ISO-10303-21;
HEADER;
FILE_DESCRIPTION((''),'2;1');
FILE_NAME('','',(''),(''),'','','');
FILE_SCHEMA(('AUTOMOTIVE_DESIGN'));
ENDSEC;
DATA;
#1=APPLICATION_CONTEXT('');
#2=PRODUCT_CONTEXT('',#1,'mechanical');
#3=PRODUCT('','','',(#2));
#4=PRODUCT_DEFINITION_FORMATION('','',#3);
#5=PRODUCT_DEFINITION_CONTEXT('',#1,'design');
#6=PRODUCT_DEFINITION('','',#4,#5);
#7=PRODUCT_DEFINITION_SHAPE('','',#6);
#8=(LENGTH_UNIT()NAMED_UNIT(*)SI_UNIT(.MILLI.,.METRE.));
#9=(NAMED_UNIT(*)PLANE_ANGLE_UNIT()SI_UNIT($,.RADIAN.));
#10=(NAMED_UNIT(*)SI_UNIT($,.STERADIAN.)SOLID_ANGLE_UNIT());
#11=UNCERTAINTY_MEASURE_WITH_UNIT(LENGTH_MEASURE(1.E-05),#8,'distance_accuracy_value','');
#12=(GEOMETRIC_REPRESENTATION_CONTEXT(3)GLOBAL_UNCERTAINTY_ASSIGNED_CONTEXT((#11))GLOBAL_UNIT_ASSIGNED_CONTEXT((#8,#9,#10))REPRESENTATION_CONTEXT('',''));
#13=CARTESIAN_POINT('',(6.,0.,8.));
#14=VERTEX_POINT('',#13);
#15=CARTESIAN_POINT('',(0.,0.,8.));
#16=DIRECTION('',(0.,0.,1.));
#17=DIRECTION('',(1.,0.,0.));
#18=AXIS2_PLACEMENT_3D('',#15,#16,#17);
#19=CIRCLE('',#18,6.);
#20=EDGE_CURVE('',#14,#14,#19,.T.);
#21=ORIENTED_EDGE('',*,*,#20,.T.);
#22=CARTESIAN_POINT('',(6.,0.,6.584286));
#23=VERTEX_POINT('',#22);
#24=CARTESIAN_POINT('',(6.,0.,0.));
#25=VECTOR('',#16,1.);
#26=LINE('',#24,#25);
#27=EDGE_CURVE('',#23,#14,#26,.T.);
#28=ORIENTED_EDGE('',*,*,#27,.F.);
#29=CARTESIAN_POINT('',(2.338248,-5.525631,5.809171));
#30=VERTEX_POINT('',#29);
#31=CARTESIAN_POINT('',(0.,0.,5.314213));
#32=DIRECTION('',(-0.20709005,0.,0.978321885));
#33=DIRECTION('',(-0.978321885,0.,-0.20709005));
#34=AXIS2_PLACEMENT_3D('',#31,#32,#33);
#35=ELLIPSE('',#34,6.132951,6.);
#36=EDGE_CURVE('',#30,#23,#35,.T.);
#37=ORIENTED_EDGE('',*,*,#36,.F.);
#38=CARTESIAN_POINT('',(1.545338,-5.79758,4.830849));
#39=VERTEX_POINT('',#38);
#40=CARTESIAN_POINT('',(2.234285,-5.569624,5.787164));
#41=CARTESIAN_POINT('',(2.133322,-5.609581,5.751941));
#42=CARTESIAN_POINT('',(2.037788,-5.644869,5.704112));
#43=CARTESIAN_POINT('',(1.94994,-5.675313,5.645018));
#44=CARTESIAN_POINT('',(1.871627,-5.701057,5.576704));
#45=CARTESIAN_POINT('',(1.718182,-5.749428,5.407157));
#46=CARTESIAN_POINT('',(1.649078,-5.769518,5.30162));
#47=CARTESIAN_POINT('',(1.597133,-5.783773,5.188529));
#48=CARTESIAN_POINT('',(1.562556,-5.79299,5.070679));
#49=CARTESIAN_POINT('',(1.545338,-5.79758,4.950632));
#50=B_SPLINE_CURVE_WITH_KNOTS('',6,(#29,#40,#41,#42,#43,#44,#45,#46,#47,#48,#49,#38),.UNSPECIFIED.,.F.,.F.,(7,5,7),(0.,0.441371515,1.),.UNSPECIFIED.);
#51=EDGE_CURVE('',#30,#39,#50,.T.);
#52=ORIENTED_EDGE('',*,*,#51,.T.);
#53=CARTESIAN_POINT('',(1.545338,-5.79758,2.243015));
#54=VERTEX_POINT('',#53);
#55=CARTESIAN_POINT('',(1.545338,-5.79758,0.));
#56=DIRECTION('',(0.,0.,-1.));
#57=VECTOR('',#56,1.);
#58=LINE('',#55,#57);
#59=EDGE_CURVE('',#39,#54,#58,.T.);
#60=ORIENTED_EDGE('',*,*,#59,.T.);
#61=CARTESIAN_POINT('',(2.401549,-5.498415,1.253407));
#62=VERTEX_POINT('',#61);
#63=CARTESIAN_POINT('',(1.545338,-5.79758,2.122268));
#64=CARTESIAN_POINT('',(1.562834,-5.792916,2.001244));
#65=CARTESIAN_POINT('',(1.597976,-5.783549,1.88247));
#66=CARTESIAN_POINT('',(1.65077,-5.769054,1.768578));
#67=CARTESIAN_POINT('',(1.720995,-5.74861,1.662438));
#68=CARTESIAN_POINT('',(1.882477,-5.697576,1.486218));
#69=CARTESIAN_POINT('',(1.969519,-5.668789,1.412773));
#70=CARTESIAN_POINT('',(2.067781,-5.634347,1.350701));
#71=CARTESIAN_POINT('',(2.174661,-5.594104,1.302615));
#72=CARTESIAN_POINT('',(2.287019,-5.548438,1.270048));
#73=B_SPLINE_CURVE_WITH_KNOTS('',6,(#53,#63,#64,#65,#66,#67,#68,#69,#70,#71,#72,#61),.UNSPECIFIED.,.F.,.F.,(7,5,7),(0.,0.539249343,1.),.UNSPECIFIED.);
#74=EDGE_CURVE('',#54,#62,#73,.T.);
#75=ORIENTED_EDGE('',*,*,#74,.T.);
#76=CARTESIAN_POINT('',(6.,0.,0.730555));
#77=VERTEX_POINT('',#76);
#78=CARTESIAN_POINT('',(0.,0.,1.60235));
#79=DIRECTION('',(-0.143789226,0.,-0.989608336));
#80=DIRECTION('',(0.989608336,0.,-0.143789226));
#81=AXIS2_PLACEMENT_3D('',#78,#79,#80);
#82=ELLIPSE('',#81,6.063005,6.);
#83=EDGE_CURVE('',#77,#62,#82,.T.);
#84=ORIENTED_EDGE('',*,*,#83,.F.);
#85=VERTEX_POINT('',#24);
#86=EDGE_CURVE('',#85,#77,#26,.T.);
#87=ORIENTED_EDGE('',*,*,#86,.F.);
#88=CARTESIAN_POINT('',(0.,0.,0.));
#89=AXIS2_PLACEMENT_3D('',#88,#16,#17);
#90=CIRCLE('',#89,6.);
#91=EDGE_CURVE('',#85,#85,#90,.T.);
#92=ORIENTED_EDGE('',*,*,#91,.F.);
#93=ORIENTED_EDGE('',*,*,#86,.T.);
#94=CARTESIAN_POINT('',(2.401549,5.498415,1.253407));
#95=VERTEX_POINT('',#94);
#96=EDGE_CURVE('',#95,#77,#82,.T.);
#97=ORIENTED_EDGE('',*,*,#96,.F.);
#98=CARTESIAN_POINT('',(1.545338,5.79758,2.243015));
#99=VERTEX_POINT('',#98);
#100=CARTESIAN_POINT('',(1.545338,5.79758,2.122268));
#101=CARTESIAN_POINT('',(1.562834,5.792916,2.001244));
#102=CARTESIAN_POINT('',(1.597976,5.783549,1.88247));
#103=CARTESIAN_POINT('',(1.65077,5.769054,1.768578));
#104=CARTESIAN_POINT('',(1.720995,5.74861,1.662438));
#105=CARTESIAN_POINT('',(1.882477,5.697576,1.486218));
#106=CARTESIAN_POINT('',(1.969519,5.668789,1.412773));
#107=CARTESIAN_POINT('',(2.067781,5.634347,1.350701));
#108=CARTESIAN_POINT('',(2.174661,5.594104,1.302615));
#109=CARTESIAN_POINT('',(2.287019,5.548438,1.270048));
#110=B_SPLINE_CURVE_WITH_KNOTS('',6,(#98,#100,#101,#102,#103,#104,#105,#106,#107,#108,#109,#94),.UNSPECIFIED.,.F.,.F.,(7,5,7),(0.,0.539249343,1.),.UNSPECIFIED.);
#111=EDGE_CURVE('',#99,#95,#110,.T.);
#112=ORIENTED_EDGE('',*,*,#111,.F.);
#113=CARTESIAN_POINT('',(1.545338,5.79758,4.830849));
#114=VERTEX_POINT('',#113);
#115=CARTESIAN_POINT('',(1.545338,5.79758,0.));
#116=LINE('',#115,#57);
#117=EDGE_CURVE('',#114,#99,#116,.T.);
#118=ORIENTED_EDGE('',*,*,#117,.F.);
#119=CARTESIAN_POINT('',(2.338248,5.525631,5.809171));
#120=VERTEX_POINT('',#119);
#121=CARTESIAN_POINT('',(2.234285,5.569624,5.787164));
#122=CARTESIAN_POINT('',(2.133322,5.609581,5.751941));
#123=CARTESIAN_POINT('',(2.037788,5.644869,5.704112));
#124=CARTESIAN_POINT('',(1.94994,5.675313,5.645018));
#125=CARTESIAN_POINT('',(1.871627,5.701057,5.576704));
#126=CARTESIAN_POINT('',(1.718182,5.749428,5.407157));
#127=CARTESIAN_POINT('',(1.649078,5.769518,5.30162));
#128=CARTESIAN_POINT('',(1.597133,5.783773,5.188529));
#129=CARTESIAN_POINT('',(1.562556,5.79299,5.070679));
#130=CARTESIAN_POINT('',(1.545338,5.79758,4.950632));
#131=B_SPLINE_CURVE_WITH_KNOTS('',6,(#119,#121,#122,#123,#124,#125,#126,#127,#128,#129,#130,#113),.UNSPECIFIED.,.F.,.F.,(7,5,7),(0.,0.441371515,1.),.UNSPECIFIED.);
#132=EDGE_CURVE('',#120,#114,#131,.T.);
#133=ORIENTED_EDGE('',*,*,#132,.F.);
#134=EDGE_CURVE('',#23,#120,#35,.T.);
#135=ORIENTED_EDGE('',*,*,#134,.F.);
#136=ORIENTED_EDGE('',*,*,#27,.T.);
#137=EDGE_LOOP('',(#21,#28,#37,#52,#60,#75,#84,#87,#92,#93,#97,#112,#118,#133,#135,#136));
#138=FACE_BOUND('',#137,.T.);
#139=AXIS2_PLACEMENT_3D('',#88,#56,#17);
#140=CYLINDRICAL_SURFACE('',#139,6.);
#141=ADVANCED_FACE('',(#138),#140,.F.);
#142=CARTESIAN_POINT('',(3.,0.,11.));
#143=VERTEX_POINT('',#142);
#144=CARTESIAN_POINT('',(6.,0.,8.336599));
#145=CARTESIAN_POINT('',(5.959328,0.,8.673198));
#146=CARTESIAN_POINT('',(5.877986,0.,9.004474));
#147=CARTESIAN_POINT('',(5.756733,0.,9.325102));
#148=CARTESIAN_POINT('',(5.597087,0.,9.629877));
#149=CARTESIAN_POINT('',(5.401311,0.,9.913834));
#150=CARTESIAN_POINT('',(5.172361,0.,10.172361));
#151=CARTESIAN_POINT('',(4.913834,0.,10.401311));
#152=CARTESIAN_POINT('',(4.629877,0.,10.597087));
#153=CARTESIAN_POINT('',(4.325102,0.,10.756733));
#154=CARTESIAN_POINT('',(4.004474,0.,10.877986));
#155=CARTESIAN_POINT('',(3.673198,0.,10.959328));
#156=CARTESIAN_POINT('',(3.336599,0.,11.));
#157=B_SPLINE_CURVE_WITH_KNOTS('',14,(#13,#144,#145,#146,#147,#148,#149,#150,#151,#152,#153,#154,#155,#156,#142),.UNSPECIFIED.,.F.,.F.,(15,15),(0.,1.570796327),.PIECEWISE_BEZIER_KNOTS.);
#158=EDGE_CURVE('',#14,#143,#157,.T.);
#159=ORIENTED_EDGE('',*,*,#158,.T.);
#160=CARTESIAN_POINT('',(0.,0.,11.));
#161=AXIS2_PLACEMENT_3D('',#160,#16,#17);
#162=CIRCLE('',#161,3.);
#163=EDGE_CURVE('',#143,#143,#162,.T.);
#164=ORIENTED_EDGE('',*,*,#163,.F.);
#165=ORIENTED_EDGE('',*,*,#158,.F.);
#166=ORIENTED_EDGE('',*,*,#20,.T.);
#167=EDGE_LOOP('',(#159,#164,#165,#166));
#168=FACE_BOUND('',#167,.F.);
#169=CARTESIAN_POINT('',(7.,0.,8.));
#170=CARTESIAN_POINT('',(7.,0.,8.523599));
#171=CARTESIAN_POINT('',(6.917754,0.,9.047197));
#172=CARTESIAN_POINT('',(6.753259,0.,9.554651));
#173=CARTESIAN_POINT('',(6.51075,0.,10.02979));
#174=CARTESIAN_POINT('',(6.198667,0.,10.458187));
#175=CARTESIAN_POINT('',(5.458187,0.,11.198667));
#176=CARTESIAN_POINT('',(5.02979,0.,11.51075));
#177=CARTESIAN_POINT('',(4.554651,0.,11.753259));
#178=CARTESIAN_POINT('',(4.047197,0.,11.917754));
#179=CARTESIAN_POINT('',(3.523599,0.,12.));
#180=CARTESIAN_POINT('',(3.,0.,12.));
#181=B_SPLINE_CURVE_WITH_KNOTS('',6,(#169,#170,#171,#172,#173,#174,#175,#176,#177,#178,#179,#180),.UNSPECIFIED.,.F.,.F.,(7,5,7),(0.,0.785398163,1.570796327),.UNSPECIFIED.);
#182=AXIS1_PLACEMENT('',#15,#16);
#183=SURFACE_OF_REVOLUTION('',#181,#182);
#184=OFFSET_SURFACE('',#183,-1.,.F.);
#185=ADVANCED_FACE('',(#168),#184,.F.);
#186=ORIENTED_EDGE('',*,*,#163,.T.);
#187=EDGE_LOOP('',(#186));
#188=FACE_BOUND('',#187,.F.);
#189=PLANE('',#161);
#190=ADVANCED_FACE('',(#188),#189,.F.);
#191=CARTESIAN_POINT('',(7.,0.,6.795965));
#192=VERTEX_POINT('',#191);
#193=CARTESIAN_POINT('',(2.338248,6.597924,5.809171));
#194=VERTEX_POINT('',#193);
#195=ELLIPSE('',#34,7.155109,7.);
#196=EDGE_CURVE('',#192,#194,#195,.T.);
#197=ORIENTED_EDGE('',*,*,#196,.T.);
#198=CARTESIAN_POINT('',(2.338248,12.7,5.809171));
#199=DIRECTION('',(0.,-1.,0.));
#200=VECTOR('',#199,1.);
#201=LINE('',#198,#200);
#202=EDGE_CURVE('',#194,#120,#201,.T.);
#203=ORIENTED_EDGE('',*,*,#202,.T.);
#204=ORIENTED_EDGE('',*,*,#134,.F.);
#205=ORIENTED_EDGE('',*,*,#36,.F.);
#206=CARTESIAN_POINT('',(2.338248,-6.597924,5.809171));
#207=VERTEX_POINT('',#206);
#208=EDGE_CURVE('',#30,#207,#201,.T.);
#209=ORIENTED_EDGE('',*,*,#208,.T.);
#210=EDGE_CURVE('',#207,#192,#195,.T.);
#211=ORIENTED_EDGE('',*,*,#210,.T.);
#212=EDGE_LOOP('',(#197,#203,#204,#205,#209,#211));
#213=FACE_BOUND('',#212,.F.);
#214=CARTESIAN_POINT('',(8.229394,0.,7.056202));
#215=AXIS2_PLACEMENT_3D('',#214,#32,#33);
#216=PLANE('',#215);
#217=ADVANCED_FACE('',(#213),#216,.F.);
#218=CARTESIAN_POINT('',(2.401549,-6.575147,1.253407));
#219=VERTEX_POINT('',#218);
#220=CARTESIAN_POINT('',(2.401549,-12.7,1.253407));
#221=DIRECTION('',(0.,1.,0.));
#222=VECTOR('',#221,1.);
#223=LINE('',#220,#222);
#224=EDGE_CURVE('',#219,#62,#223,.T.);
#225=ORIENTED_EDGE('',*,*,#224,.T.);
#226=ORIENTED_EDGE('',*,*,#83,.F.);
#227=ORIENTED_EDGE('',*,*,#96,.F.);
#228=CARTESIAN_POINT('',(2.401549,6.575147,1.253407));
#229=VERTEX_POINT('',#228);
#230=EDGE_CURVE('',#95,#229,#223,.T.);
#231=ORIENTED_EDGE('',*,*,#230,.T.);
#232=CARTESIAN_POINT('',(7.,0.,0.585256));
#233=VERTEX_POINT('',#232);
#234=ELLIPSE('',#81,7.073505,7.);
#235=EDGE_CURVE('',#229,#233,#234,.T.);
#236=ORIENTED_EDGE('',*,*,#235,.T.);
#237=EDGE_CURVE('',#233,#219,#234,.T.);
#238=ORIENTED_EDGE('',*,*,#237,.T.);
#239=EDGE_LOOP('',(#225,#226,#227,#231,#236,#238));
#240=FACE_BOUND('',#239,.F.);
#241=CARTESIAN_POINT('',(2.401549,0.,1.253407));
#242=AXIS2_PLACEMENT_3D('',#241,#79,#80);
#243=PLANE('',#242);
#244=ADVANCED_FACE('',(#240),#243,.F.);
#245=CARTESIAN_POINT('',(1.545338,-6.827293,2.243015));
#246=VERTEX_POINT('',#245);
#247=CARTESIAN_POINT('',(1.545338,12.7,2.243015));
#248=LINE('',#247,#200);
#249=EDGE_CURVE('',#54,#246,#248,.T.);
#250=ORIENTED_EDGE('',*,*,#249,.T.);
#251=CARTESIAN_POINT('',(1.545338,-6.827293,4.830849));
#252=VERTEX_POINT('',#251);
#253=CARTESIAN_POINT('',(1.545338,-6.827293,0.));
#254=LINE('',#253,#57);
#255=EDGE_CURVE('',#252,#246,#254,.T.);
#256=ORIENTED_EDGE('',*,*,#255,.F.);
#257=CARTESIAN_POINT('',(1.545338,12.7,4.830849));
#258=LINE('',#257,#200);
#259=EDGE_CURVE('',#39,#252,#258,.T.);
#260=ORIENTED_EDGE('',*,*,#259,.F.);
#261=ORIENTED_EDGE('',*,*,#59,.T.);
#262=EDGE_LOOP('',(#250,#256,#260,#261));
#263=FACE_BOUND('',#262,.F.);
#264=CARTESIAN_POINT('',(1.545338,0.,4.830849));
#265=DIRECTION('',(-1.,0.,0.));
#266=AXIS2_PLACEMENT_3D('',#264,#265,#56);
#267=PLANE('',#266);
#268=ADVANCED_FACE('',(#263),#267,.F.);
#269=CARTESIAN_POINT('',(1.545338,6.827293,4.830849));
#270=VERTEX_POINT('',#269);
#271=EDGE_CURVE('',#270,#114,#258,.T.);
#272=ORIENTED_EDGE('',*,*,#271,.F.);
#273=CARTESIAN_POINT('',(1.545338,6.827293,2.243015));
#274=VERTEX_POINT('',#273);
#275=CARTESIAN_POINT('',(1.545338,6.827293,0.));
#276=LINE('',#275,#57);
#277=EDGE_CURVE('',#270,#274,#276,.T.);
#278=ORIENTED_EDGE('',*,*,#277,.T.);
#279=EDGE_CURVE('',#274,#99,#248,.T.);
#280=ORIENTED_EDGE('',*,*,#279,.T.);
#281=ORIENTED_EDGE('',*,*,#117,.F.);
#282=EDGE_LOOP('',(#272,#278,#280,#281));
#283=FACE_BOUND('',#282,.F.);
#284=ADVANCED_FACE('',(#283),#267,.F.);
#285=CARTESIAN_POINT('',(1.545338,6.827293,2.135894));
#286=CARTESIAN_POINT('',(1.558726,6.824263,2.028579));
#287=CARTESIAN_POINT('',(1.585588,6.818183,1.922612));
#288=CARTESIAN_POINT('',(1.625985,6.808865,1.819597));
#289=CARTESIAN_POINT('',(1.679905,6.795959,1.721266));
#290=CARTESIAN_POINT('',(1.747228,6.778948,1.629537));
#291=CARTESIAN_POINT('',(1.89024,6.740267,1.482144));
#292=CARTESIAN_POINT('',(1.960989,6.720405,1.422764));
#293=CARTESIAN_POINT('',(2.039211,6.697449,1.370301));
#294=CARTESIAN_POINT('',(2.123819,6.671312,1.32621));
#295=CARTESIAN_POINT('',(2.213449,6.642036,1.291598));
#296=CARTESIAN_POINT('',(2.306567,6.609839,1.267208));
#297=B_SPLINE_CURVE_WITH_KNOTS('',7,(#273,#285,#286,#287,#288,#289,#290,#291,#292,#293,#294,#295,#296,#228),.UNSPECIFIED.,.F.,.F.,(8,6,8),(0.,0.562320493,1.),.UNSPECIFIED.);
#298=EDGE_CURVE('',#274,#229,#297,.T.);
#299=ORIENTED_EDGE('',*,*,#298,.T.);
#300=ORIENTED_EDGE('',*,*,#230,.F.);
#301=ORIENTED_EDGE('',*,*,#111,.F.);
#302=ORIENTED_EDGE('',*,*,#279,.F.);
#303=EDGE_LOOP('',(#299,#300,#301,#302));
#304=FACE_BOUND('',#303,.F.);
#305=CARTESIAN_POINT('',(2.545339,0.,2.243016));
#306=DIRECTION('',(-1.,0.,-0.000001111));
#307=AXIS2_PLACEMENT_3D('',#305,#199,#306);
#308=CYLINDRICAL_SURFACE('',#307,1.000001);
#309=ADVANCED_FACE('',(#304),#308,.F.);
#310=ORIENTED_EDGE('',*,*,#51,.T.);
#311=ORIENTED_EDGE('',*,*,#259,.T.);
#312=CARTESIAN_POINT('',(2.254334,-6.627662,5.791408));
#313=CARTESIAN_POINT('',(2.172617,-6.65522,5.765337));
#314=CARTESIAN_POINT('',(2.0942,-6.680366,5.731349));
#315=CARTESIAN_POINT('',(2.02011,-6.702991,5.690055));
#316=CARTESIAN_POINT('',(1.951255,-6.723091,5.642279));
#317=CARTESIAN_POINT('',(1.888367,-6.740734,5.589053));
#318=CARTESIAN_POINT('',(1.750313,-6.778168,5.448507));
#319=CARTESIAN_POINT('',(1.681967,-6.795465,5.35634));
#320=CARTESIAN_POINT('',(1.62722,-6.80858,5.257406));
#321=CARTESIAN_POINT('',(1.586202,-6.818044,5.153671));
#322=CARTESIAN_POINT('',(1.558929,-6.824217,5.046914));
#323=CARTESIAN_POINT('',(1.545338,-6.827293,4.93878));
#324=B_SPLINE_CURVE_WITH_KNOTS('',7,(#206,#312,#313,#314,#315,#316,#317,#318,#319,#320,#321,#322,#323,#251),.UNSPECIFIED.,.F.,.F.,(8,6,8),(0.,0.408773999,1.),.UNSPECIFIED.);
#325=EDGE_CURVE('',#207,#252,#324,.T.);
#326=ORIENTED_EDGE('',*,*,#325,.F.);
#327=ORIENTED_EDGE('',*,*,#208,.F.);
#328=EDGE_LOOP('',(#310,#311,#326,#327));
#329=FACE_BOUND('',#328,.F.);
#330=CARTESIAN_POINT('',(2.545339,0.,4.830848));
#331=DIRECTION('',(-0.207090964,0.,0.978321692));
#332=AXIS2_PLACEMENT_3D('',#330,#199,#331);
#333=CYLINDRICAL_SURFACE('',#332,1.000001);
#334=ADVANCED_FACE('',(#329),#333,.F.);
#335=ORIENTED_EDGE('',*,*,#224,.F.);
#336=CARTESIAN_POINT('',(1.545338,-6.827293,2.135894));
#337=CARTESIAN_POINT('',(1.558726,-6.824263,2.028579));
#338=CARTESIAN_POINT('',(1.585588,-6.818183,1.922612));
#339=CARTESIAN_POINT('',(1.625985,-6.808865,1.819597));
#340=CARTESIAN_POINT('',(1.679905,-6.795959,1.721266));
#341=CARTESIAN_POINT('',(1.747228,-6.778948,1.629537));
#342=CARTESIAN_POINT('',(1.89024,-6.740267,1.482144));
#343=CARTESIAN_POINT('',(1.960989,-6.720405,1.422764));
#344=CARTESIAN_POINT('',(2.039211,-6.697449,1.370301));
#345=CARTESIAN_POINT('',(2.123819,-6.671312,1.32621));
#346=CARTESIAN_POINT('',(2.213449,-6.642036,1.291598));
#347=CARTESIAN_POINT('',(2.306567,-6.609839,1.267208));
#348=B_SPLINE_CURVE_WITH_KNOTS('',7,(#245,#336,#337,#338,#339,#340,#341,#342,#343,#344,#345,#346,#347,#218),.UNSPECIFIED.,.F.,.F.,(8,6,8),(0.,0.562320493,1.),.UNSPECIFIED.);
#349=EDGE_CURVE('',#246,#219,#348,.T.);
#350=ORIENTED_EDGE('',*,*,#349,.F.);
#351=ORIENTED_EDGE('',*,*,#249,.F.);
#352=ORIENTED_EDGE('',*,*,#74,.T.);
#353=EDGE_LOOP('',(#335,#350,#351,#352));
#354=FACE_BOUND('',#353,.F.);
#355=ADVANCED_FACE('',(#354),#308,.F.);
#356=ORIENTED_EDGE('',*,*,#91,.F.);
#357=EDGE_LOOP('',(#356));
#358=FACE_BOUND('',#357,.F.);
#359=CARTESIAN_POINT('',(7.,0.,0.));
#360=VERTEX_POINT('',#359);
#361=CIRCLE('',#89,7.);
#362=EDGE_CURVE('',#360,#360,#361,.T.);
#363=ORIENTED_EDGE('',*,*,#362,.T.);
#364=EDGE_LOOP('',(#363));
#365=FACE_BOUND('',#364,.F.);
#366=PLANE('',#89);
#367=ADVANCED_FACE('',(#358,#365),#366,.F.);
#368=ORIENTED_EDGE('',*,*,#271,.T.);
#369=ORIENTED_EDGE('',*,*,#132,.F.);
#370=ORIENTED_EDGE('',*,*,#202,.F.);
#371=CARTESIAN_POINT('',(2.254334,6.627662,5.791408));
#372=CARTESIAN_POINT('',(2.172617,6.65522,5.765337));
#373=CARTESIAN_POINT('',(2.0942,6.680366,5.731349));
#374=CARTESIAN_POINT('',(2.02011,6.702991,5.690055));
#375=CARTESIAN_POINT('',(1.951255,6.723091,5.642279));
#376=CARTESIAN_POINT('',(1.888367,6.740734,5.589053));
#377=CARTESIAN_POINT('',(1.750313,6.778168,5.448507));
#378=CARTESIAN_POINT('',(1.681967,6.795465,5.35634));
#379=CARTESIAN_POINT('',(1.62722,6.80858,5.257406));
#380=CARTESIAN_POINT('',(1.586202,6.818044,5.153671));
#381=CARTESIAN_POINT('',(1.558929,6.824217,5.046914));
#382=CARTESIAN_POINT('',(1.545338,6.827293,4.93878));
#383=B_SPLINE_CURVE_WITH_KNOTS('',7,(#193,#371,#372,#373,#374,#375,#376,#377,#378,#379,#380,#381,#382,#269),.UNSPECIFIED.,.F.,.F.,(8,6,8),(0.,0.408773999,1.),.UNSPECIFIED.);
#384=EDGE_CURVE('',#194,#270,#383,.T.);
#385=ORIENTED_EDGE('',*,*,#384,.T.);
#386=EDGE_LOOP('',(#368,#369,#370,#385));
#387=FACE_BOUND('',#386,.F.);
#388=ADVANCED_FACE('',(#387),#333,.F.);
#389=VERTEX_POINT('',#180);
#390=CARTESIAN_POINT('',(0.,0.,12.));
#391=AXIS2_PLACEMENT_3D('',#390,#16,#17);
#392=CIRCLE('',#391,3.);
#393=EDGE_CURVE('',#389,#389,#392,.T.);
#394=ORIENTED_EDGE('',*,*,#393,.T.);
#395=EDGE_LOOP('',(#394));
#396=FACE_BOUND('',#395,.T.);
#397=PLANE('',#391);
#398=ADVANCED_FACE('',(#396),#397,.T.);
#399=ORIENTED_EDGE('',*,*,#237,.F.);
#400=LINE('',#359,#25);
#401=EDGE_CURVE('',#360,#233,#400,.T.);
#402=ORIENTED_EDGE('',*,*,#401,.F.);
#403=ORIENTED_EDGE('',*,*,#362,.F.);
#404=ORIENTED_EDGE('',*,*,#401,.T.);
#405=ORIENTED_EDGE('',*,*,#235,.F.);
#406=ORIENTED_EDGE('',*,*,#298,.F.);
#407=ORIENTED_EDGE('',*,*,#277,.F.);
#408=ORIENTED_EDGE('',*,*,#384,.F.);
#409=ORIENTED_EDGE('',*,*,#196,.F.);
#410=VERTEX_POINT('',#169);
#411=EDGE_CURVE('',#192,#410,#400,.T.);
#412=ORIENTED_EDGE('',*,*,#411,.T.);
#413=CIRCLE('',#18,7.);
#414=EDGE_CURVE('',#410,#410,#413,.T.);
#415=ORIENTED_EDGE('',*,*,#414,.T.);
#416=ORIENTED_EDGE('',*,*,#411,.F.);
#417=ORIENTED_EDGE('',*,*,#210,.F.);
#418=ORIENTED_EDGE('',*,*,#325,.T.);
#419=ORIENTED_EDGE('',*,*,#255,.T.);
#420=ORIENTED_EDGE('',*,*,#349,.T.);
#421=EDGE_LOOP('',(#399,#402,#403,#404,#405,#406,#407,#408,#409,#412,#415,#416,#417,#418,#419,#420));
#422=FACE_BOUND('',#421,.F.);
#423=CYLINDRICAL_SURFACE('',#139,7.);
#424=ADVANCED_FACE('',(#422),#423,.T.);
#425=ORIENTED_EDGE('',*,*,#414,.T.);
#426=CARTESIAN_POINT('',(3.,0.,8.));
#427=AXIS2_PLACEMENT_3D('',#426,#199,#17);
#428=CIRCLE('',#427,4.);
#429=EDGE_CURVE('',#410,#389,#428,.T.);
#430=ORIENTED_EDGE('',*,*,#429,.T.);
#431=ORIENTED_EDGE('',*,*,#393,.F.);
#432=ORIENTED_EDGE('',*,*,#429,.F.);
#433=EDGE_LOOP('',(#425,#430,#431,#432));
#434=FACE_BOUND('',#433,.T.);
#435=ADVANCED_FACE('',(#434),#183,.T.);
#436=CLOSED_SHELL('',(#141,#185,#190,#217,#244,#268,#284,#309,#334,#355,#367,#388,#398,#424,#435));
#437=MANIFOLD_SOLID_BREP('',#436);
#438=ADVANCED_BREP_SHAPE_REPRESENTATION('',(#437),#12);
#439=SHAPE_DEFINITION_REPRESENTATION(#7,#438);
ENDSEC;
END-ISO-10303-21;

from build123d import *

# Parameters (mm, degrees)
F0_R     = 7
F1_DEPTH = 12
F2_R     = 4
F3_T     = -1
F5_DEPTH = 12.7


with BuildPart() as f1:
    # F0 (on Top) → F1 (new body)
    with BuildSketch(Plane.XY):
        Circle(F0_R)
    extrude(amount=F1_DEPTH)

    # F2
    f2_edges = [f1.edges().sort_by_distance(p)[0] for p in [
        (-7, 0, 12),
    ]]
    fillet(f2_edges, radius=F2_R)

    # F3
    f3_openings = [f1.faces().sort_by_distance(p)[0] for p in [
        (0, 0, 0),
    ]]
    offset(amount=F3_T, openings=f3_openings)

    # F4 (on Front) → F5 (cut, symmetric)
    with BuildSketch(Plane.XZ):
        with BuildLine():
            Line((8.120851, 6.698599), (8.229394, 7.056202))
            Line((8.229394, 7.056202), (2.338248, 5.809171))
            ThreePointArc((2.338248, 5.809171), (1.768457, 5.460496), (1.545338, 4.830849))
            Line((1.545338, 4.830849), (1.545338, 2.243015))
            ThreePointArc((1.545338, 2.243015), (1.789101, 1.588718), (2.401549, 1.253407))
            Line((2.401549, 1.253407), (7.227779, 0.55216))
            Line((7.227779, 0.55216), (8.120851, 6.698599))
        make_face()
    extrude(amount=F5_DEPTH, both=True, mode=Mode.SUBTRACT)


solid = f1.part
